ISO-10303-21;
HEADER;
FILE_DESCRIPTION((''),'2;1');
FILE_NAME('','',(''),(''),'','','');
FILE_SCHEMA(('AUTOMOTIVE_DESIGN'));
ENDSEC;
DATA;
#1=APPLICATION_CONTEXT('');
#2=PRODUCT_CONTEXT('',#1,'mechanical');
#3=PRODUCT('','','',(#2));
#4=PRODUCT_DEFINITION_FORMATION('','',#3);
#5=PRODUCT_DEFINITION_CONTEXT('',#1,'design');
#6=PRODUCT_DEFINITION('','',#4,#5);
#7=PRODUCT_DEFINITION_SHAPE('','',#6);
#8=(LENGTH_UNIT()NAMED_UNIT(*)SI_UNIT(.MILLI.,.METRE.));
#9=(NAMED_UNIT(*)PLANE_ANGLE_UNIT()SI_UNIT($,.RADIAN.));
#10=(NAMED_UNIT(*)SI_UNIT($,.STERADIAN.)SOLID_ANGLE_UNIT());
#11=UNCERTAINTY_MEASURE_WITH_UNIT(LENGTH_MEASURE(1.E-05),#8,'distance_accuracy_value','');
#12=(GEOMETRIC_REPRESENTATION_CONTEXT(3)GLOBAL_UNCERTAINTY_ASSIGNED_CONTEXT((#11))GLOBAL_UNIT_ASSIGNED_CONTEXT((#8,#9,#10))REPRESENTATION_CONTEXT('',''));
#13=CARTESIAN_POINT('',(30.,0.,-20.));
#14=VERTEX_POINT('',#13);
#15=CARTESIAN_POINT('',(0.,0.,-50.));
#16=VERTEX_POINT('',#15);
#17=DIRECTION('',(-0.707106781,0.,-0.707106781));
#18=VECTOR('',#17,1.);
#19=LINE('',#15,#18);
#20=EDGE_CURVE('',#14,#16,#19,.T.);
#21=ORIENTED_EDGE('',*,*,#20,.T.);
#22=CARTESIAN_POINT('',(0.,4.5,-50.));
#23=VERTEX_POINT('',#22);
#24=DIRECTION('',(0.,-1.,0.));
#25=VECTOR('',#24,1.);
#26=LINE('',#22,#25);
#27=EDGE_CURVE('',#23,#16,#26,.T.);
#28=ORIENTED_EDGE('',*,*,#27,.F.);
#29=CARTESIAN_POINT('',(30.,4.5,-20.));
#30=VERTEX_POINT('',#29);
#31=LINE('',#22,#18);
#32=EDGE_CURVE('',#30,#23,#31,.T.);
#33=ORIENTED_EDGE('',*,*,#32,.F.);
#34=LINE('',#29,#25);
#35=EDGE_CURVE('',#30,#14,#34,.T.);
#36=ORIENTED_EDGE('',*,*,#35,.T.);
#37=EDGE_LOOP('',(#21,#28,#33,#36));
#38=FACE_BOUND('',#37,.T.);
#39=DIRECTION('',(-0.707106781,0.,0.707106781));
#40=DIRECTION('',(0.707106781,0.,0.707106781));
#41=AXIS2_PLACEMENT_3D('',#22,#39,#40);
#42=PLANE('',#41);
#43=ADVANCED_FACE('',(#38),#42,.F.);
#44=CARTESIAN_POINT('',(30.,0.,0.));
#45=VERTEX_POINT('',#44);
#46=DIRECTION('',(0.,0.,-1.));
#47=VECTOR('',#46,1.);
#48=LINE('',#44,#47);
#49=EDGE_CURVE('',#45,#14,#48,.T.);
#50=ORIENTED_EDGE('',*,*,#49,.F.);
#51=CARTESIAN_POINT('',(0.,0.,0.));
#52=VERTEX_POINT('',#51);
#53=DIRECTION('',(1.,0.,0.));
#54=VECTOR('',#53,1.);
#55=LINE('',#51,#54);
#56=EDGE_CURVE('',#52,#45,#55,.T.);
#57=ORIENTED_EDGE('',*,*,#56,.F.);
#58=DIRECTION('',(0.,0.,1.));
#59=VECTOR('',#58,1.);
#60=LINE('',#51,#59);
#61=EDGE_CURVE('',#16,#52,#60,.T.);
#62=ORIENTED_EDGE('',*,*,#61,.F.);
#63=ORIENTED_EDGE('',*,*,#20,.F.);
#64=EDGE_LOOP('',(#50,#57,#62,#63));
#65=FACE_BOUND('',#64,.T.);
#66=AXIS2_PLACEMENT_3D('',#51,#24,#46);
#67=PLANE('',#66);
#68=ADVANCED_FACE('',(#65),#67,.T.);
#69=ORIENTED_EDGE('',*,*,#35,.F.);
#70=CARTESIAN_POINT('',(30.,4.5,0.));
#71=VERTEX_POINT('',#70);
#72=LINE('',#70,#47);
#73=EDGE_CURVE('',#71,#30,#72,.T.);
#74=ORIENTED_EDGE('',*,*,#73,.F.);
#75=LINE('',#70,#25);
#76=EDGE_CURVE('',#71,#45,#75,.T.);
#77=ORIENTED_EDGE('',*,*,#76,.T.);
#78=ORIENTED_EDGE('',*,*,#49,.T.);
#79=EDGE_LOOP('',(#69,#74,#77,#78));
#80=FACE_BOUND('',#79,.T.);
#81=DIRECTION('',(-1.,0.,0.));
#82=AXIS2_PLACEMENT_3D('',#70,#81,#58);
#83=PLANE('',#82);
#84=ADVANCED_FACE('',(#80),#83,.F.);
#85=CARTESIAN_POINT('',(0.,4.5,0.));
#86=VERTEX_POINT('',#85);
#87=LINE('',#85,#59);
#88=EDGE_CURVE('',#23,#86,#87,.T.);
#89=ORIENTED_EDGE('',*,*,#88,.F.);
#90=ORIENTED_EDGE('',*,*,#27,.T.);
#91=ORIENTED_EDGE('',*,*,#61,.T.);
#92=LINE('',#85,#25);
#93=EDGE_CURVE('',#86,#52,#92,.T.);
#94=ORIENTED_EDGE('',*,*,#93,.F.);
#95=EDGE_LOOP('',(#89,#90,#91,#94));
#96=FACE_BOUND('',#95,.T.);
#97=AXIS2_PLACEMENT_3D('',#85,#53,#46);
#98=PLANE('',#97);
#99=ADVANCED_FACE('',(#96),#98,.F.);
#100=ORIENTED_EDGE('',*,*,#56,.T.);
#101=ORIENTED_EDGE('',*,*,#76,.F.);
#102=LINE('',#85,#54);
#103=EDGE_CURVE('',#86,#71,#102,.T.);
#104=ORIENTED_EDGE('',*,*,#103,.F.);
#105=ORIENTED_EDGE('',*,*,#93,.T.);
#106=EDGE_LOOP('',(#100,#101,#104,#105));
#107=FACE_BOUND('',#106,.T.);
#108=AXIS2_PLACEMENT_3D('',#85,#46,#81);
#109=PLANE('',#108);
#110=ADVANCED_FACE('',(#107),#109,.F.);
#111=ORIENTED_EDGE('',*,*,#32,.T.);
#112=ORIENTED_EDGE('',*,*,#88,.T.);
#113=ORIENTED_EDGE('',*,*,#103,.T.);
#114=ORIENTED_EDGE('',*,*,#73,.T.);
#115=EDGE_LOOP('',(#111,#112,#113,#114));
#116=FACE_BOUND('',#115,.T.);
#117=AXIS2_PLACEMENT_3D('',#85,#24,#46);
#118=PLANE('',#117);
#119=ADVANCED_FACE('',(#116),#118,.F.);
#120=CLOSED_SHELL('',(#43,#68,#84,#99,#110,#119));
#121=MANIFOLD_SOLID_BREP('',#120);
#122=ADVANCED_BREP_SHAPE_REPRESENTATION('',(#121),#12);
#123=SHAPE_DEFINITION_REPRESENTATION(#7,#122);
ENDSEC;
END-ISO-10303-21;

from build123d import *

# Parameters (mm, degrees)
BOSS_EXTRUDE1_DEPTH = 4.5


with BuildPart() as part:
    # Sketch2 → Boss-Extrude1 (new body)
    with BuildSketch(Plane(origin=(0, 0, 0), x_dir=(1, 0, 0), z_dir=(0, 1, 0))):
        Polygon((0, 0), (30, 0), (30, 20), (0, 50), align=None)
    extrude(amount=BOSS_EXTRUDE1_DEPTH)


solid = part.part
